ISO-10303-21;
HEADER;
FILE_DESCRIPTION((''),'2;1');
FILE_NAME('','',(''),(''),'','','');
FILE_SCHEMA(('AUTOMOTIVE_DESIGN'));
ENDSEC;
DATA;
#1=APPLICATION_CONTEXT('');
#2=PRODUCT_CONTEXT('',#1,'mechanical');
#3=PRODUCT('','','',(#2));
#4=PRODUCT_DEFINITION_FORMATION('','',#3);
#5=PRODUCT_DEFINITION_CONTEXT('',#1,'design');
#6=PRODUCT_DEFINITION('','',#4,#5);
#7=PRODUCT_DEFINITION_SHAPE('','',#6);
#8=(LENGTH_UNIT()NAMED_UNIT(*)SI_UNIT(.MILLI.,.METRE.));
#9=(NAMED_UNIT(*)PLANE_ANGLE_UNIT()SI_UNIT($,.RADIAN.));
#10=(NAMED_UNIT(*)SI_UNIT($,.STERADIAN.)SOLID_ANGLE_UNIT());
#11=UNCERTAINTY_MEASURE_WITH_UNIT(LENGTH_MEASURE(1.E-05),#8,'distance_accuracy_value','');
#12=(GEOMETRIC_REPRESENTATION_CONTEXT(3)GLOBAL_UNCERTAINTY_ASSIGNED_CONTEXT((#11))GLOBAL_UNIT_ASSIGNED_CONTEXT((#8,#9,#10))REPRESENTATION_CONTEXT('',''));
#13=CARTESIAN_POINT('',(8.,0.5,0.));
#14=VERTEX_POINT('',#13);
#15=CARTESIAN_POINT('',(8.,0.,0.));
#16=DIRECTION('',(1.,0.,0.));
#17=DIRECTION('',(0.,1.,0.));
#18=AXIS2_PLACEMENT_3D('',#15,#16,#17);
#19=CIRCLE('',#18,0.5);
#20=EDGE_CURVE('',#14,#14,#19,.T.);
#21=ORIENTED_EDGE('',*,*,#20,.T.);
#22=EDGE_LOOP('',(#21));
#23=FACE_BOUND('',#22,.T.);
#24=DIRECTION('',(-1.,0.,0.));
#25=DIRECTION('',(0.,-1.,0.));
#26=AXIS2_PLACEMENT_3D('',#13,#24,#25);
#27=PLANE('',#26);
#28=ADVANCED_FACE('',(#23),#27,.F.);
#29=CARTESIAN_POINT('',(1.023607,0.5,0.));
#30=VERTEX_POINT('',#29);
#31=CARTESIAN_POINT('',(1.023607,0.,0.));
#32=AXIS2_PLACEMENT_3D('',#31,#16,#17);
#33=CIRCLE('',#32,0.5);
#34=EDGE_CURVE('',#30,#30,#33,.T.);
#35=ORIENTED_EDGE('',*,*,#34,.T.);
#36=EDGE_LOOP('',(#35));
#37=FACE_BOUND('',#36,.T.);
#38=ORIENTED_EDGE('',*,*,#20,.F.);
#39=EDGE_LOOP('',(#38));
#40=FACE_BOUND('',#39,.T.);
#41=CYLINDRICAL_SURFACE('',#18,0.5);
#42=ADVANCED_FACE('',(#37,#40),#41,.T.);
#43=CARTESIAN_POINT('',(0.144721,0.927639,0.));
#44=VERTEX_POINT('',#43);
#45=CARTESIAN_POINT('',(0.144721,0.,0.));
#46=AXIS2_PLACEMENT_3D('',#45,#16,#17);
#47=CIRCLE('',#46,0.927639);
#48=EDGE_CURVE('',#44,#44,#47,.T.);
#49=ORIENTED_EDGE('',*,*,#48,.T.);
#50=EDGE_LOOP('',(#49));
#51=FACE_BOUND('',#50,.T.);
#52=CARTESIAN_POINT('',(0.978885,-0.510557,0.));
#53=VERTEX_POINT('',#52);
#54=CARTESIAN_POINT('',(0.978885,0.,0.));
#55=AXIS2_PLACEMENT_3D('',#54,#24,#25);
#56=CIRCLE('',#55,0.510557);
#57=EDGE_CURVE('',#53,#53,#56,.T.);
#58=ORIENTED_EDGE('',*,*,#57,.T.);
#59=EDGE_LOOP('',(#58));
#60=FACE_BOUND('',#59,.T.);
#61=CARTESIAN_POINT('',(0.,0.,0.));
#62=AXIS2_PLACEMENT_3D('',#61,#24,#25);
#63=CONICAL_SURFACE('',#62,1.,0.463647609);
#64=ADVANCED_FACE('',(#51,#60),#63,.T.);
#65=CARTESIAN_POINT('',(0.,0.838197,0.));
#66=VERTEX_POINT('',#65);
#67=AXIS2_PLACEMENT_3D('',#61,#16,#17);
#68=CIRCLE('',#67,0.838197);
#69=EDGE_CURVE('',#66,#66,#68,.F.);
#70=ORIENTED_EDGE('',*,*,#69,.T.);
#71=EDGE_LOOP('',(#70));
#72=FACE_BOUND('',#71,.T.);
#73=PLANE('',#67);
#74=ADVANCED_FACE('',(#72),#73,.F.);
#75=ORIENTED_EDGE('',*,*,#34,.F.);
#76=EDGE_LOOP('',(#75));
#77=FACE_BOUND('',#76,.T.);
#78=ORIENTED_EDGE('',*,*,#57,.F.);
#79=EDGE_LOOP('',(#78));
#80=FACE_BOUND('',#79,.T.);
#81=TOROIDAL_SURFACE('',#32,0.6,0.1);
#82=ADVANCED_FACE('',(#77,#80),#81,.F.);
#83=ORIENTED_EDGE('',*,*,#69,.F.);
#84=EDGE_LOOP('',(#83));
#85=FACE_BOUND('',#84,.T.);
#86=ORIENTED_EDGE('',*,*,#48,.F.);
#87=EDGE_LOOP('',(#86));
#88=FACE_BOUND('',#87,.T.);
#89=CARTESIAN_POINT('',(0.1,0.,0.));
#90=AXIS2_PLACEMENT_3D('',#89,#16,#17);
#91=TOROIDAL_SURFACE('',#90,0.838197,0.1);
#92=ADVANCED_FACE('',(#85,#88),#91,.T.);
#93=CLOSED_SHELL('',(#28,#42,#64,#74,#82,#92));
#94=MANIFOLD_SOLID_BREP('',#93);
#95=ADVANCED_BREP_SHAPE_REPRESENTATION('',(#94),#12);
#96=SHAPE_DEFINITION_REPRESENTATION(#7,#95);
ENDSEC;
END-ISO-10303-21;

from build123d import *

# Parameters (mm, degrees)
FILLET_1_R = 0.1


with BuildPart() as part:
    # 草图1 → 旋转1 (revolve)
    with BuildSketch(Plane.XY):
        Polygon((0, 0), (0, 1), (1, 0.5), (8, 0.5), (8, 0), align=None)
    revolve(axis=Axis((8, 0, 0), (-1, 0, 0)))

    # 圆角1
    fillet_1_edges = [part.edges().sort_by_distance(p)[0] for p in [
        (1, -0.5, 0),
        (0, -1, 0),
    ]]
    fillet(fillet_1_edges, radius=FILLET_1_R)


solid = part.part
